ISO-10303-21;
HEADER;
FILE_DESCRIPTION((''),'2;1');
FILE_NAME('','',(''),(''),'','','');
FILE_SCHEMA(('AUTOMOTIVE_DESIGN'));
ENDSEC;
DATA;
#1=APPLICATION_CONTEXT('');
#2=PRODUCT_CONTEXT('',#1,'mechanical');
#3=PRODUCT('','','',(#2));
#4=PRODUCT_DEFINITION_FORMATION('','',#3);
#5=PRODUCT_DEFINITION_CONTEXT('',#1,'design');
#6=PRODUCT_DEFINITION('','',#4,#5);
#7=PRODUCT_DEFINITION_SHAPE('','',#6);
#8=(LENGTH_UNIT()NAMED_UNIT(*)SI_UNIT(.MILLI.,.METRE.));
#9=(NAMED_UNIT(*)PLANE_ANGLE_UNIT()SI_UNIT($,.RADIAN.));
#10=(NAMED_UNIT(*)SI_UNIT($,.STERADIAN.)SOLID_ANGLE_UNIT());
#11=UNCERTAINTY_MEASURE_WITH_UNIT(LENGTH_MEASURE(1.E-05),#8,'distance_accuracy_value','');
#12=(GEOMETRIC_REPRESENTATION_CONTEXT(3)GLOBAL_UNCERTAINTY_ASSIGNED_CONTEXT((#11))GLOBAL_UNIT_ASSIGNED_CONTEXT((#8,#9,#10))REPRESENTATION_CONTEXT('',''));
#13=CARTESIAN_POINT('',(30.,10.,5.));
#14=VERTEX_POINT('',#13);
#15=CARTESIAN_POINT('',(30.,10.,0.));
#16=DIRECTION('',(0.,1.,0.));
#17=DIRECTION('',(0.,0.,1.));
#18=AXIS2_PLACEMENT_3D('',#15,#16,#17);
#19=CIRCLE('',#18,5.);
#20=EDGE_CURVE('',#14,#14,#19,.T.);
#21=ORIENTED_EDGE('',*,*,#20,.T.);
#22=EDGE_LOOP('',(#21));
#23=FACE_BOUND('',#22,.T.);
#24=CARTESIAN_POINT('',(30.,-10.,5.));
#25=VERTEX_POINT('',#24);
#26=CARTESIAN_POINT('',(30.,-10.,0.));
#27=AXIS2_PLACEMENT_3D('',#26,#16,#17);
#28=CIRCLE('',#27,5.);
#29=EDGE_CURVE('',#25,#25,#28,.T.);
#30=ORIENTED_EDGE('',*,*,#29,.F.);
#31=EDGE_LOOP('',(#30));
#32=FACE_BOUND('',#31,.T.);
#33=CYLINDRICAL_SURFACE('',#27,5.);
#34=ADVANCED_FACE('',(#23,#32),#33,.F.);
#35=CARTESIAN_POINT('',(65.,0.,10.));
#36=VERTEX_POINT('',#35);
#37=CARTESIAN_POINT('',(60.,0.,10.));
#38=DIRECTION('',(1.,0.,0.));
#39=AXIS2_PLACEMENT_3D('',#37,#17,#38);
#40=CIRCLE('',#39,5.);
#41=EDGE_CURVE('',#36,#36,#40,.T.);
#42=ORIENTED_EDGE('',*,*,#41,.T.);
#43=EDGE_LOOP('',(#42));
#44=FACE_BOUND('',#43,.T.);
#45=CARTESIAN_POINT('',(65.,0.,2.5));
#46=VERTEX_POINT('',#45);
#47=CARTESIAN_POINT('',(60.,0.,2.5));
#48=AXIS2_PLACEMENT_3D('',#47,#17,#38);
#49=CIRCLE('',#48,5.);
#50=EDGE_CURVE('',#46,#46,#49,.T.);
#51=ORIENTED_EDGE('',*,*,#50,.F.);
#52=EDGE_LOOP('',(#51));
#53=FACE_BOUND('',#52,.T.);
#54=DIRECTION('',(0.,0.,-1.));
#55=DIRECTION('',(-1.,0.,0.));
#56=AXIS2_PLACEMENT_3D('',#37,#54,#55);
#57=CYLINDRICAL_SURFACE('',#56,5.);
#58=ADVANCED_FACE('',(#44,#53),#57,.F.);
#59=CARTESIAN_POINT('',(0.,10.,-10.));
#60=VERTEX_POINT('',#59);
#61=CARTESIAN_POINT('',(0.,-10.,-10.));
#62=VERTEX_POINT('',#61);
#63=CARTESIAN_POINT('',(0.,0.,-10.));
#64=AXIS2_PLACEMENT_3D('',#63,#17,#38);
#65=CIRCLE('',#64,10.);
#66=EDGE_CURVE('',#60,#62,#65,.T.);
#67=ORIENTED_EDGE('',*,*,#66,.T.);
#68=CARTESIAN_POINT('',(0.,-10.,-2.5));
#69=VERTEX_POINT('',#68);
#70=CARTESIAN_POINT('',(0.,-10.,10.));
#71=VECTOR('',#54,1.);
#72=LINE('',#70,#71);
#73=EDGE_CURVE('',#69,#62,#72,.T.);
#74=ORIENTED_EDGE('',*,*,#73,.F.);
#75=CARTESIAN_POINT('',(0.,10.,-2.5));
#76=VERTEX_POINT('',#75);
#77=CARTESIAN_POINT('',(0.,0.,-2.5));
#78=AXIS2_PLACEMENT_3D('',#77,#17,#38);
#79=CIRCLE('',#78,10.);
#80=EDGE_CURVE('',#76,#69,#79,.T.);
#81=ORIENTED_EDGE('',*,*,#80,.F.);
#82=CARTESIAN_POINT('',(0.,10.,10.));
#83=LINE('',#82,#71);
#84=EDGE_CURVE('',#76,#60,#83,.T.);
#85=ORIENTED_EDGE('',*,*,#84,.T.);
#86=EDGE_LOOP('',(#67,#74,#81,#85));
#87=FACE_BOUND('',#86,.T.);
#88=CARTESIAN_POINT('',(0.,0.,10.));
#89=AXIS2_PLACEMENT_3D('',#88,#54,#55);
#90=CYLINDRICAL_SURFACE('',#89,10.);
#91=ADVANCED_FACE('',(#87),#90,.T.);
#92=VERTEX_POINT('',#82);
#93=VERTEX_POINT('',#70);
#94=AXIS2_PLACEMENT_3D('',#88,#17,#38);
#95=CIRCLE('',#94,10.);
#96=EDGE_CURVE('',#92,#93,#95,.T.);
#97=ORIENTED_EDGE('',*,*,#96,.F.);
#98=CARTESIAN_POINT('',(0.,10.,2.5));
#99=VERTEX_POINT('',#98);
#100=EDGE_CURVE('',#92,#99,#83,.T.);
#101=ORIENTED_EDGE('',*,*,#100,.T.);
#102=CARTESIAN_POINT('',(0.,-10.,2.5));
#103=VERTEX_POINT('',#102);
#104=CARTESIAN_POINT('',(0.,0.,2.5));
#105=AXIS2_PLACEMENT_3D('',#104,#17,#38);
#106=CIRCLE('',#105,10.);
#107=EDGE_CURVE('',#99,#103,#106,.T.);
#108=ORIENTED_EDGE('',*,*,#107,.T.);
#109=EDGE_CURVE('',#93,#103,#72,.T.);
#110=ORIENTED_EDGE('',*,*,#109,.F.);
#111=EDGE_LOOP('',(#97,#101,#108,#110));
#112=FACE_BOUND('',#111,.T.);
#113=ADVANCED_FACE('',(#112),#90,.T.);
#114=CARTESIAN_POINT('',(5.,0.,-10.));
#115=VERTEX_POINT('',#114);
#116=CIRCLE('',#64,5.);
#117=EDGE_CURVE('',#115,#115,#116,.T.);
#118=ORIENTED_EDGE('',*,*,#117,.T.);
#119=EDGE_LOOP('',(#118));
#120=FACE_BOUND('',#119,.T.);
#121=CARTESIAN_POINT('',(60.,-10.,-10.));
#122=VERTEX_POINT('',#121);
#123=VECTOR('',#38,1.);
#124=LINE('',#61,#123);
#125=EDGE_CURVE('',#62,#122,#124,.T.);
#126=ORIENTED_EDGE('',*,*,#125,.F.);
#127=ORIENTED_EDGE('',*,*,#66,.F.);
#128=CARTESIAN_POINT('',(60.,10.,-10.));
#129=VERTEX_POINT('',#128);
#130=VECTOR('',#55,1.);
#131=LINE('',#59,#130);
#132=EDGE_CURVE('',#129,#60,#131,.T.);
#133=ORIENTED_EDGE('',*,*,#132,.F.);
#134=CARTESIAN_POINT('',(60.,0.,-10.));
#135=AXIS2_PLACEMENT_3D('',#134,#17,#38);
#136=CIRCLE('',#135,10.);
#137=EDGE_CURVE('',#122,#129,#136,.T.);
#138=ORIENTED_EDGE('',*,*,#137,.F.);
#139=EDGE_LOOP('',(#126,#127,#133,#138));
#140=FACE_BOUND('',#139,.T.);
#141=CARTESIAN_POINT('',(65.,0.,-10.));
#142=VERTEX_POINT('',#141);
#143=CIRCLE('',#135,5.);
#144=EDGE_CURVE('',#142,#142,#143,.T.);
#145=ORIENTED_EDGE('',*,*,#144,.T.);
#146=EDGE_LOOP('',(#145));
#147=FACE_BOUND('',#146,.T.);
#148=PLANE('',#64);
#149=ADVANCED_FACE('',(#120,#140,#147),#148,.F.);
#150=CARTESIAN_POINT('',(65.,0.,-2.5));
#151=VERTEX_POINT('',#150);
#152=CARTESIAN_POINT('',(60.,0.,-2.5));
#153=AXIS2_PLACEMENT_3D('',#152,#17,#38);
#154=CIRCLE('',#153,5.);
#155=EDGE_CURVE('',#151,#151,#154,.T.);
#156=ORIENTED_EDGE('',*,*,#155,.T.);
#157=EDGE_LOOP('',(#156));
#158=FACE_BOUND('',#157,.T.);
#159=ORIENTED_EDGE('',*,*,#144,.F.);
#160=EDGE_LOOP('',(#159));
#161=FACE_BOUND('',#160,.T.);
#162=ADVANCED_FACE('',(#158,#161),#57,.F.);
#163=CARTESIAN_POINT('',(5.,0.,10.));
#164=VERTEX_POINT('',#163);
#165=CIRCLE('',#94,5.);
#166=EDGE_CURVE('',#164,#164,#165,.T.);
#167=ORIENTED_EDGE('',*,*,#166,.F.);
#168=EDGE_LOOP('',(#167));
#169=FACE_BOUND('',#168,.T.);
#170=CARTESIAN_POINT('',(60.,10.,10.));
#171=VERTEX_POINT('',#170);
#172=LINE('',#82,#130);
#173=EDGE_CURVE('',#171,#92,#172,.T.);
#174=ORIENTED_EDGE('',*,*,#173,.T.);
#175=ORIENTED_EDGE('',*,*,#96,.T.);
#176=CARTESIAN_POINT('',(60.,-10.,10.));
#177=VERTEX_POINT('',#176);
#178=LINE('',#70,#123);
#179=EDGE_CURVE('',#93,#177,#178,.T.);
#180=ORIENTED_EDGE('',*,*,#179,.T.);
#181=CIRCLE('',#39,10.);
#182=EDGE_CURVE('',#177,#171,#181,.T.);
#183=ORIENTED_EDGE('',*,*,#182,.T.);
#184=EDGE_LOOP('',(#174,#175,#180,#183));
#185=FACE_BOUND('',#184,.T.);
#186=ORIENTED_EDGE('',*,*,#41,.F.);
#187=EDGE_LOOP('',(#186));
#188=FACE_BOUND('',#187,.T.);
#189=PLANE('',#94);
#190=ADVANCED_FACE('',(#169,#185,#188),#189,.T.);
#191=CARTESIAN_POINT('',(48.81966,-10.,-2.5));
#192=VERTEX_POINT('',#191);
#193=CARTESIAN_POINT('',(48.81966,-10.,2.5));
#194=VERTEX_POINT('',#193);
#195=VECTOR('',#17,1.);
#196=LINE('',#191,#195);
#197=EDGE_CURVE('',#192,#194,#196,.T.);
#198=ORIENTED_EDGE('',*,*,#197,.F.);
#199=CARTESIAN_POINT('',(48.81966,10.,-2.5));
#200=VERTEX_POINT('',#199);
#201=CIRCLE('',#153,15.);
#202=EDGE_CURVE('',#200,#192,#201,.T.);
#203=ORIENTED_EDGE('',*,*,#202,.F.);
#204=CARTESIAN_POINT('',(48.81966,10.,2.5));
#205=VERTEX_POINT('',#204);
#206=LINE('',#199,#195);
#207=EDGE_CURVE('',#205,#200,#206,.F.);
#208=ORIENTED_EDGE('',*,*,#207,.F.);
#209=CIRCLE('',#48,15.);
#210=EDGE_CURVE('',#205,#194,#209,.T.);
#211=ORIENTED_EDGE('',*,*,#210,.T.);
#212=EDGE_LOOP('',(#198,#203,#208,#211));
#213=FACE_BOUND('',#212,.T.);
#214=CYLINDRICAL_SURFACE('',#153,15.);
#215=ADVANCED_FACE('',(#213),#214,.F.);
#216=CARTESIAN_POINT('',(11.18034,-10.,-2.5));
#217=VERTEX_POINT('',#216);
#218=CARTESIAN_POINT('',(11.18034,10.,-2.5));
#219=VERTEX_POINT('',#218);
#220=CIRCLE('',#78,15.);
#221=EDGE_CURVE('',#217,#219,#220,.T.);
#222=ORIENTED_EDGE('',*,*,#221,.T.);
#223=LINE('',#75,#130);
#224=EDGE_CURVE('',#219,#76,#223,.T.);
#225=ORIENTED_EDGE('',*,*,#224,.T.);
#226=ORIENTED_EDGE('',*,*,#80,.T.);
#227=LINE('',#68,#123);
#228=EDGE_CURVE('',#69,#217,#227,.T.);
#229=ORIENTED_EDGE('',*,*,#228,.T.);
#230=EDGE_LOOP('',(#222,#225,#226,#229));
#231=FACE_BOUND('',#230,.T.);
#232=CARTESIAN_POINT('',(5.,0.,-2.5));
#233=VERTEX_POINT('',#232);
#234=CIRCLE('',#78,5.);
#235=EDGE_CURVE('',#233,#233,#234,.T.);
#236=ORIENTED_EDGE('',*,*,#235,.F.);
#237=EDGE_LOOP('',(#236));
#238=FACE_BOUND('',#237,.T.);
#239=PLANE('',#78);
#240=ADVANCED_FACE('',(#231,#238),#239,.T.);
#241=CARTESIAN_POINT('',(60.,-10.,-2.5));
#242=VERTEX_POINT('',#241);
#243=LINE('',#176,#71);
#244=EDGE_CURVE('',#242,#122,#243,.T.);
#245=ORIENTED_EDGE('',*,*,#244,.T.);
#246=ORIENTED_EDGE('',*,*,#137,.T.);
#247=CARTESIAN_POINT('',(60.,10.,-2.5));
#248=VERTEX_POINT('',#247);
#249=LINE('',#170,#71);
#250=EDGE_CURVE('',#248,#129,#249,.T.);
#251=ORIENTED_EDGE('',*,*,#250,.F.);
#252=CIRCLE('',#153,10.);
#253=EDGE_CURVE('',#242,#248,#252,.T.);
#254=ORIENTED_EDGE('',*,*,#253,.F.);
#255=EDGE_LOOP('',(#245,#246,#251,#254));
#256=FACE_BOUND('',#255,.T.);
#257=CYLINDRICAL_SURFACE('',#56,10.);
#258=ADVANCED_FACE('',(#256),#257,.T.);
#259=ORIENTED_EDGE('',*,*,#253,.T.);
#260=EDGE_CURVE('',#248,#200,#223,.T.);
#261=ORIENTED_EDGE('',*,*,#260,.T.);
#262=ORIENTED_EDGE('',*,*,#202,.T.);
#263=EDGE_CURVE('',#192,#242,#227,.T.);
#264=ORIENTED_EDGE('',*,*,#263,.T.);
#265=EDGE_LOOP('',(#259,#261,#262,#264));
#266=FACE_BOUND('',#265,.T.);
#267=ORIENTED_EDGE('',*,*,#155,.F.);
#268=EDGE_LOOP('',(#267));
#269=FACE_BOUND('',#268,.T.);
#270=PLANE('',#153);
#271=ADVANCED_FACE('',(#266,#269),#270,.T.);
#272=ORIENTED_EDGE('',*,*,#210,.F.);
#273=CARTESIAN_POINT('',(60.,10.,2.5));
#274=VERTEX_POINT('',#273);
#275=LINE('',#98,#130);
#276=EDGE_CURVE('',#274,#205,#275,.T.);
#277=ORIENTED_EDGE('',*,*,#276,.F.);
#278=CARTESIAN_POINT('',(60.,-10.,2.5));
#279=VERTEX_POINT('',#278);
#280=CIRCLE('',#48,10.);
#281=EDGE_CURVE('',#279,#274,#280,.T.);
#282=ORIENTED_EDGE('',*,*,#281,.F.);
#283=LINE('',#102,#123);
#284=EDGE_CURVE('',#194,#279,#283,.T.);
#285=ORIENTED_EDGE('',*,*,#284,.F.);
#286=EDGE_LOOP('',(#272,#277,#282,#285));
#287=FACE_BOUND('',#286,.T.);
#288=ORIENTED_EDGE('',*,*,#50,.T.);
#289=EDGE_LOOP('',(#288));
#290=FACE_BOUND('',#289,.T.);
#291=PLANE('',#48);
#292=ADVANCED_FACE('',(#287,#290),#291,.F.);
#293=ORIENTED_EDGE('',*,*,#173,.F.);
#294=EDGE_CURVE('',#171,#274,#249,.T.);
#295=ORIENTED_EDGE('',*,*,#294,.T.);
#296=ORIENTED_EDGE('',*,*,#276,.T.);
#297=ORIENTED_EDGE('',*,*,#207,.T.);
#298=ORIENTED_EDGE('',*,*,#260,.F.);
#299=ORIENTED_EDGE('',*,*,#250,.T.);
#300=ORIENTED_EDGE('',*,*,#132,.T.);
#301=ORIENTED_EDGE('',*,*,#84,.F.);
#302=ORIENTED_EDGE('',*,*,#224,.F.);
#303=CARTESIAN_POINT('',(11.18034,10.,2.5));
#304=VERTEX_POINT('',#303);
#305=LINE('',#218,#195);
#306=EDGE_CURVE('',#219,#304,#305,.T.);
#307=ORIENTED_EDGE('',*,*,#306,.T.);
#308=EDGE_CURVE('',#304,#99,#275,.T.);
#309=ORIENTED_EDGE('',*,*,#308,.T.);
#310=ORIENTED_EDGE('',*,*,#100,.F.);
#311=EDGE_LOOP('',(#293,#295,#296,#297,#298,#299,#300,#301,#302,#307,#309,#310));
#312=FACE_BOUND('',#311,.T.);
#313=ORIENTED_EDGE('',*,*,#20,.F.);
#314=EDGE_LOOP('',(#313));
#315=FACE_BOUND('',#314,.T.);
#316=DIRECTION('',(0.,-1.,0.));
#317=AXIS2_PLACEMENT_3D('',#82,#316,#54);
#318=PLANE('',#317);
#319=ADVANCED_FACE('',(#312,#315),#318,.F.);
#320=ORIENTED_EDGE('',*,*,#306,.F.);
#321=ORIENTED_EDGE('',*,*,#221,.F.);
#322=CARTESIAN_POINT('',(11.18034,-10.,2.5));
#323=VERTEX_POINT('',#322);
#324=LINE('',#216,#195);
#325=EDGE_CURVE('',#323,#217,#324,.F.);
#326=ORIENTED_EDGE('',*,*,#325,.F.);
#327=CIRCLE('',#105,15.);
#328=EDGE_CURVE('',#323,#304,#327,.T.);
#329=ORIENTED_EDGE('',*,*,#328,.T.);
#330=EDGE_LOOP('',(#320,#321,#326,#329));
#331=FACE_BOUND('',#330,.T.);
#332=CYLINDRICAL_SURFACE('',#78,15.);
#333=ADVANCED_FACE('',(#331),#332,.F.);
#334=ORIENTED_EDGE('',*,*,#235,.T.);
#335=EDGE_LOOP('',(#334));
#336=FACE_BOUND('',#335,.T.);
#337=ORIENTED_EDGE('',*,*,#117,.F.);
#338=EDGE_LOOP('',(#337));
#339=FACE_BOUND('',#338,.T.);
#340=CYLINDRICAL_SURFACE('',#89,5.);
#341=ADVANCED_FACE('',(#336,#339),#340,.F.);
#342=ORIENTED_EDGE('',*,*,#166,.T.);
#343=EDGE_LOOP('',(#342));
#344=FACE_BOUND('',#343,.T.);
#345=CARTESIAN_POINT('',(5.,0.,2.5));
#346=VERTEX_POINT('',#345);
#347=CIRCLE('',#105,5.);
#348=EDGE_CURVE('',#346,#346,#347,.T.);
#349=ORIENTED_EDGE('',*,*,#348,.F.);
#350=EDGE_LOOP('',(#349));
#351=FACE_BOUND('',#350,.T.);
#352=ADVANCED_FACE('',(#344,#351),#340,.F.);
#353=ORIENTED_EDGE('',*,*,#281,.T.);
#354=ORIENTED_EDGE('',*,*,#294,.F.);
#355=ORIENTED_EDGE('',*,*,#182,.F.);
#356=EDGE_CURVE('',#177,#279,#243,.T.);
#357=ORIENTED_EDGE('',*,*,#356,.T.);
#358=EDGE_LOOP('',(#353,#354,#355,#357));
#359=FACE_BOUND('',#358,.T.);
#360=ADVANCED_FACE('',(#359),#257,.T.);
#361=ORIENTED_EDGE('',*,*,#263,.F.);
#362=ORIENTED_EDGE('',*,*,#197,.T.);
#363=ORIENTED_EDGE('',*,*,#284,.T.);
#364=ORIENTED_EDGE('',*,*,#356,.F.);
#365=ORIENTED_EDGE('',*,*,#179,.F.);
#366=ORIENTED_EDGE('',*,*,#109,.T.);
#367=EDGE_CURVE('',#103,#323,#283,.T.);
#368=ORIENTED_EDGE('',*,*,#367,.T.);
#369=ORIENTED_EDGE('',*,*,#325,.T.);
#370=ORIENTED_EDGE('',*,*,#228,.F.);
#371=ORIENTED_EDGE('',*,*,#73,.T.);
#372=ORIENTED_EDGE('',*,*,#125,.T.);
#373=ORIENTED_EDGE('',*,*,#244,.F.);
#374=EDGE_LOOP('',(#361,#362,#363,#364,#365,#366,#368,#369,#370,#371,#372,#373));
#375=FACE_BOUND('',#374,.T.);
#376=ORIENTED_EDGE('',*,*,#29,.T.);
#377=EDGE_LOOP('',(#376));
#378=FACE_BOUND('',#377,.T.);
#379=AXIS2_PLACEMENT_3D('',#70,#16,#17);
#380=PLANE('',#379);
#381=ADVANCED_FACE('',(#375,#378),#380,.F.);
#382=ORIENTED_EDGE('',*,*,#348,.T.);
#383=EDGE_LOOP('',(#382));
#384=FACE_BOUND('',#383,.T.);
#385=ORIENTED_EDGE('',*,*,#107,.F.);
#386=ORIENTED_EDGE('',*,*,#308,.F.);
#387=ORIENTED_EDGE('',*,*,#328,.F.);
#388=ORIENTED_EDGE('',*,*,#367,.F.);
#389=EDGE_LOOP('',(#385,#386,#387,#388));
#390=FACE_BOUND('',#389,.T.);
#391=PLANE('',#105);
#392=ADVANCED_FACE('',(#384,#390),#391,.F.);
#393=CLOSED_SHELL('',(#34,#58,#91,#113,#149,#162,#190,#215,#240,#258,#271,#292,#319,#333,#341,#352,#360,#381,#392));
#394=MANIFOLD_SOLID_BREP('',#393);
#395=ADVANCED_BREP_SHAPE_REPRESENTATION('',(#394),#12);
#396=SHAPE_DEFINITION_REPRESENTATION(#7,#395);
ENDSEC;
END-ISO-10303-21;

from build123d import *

# Parameters (mm, degrees)
SKETCH1_R           = 5
BOSS_EXTRUDE1_DEPTH = 10
SKETCH3_R           = 15
CUT_EXTRUDE2_DEPTH  = 2.5
SKETCH4_R           = 5
CUT_EXTRUDE3_DEPTH  = 74.484692283


with BuildPart() as part:
    # Sketch1 → Boss-Extrude1 (new, symmetric)
    with BuildSketch(Plane.XY):
        with BuildLine():
            Line((0, 10), (60, 10))
            ThreePointArc((60, 10), (70, 0), (60, -10))
            Line((60, -10), (0, -10))
            ThreePointArc((0, -10), (-10, 0), (0, 10))
        make_face()
        Circle(SKETCH1_R, mode=Mode.SUBTRACT)
        with Locations((60, 0)):
            Circle(SKETCH1_R, mode=Mode.SUBTRACT)
    extrude(amount=BOSS_EXTRUDE1_DEPTH, both=True)

    # Sketch3 → Cut-Extrude2 (cut, symmetric)
    with BuildSketch(Plane.XY):
        Circle(SKETCH3_R)
        with Locations((60, 0)):
            Circle(SKETCH3_R)
    extrude(amount=CUT_EXTRUDE2_DEPTH, both=True, mode=Mode.SUBTRACT)

    # Sketch4 → Cut-Extrude3 (cut, through all)
    with BuildSketch(Plane(origin=(0, 10, 0), x_dir=(1, 0, 0), z_dir=(0, 1, 0))):
        with Locations(Location((30, 0, 0), (0, 0, 270))):
            Circle(SKETCH4_R)
    extrude(amount=-CUT_EXTRUDE3_DEPTH, mode=Mode.SUBTRACT)


solid = part.part
